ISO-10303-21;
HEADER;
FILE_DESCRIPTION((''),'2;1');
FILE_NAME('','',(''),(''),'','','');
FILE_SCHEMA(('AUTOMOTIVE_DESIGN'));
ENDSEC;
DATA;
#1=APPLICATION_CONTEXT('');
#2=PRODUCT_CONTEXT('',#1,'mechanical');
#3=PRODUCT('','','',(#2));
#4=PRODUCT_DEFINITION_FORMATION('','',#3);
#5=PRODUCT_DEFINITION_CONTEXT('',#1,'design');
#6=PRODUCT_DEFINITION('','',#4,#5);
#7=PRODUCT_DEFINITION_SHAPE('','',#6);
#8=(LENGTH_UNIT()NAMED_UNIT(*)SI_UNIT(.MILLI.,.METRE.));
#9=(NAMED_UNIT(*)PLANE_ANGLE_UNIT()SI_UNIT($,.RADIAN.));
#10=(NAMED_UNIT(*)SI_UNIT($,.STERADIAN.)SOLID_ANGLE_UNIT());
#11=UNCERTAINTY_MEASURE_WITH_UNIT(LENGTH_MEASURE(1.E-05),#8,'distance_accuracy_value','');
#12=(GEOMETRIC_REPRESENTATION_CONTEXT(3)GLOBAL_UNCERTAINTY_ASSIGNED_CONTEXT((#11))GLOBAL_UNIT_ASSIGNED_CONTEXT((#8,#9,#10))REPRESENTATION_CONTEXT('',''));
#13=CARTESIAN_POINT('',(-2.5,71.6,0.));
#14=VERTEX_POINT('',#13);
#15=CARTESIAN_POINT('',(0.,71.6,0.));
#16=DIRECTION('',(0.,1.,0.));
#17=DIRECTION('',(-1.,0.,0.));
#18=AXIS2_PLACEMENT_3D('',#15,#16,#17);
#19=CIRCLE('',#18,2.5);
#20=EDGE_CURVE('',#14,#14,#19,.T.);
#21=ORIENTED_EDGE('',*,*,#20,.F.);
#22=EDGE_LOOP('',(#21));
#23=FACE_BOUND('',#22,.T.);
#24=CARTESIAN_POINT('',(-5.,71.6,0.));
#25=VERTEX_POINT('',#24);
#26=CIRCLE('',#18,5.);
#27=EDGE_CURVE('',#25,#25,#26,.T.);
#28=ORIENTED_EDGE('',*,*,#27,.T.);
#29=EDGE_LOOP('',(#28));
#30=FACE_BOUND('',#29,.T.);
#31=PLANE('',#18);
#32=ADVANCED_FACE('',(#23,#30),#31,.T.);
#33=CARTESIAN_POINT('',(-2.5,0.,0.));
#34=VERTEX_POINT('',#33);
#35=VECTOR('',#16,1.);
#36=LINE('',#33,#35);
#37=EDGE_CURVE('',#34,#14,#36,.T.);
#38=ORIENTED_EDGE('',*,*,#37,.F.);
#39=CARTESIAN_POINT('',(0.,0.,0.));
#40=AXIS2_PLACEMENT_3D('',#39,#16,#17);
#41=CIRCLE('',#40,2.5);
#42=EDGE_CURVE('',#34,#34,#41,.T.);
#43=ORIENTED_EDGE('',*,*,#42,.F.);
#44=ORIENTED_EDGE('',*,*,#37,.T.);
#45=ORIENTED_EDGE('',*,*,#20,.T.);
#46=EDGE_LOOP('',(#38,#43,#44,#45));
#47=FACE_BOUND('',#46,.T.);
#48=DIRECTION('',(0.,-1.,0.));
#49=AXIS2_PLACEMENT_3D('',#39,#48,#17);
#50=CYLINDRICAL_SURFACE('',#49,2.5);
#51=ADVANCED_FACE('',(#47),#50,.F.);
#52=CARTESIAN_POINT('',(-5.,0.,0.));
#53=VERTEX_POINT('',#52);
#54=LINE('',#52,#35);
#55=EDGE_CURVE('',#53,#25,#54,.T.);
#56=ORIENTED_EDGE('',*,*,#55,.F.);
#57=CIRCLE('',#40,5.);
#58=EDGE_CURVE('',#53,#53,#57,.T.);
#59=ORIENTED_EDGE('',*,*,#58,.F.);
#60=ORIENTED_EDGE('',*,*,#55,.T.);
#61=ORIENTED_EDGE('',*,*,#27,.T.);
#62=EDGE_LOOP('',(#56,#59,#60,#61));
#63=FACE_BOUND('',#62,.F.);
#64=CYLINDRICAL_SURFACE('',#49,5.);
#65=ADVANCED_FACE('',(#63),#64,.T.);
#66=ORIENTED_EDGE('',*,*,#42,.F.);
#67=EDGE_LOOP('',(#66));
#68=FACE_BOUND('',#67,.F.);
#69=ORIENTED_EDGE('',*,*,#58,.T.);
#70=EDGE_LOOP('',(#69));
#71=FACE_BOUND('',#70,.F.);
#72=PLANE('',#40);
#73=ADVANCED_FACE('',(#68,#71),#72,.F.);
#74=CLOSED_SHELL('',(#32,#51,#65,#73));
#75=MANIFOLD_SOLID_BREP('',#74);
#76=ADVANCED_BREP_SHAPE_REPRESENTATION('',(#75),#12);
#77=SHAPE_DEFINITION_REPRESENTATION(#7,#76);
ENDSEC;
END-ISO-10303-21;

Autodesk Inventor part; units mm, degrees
ref_plane "YZ Plane" through (0, 0, 0) normal (1, 0, 0) x (0, 1, 0)
ref_plane "XZ Plane" through (0, 0, 0) normal (0, 1, 0) x (-1, 0, 0)
ref_plane "XY Plane" through (0, 0, 0) normal (0, 0, 1) x (1, 0, 0)
sketch "Sketch1" plane through (0, 0, 0) normal (0, 1, 0) x (-1, 0, 0)
  circle A0 centre (0, 0) radius 2.5
  circle A1 centre (0, 0) radius 5
  dimension "d0" = 5
  dimension "d1" = 10
extrude "Extrusion1" add sketch "Sketch1" along normal blind 71.6
properties part number "Spacer 2" material "Aluminum 6061"
